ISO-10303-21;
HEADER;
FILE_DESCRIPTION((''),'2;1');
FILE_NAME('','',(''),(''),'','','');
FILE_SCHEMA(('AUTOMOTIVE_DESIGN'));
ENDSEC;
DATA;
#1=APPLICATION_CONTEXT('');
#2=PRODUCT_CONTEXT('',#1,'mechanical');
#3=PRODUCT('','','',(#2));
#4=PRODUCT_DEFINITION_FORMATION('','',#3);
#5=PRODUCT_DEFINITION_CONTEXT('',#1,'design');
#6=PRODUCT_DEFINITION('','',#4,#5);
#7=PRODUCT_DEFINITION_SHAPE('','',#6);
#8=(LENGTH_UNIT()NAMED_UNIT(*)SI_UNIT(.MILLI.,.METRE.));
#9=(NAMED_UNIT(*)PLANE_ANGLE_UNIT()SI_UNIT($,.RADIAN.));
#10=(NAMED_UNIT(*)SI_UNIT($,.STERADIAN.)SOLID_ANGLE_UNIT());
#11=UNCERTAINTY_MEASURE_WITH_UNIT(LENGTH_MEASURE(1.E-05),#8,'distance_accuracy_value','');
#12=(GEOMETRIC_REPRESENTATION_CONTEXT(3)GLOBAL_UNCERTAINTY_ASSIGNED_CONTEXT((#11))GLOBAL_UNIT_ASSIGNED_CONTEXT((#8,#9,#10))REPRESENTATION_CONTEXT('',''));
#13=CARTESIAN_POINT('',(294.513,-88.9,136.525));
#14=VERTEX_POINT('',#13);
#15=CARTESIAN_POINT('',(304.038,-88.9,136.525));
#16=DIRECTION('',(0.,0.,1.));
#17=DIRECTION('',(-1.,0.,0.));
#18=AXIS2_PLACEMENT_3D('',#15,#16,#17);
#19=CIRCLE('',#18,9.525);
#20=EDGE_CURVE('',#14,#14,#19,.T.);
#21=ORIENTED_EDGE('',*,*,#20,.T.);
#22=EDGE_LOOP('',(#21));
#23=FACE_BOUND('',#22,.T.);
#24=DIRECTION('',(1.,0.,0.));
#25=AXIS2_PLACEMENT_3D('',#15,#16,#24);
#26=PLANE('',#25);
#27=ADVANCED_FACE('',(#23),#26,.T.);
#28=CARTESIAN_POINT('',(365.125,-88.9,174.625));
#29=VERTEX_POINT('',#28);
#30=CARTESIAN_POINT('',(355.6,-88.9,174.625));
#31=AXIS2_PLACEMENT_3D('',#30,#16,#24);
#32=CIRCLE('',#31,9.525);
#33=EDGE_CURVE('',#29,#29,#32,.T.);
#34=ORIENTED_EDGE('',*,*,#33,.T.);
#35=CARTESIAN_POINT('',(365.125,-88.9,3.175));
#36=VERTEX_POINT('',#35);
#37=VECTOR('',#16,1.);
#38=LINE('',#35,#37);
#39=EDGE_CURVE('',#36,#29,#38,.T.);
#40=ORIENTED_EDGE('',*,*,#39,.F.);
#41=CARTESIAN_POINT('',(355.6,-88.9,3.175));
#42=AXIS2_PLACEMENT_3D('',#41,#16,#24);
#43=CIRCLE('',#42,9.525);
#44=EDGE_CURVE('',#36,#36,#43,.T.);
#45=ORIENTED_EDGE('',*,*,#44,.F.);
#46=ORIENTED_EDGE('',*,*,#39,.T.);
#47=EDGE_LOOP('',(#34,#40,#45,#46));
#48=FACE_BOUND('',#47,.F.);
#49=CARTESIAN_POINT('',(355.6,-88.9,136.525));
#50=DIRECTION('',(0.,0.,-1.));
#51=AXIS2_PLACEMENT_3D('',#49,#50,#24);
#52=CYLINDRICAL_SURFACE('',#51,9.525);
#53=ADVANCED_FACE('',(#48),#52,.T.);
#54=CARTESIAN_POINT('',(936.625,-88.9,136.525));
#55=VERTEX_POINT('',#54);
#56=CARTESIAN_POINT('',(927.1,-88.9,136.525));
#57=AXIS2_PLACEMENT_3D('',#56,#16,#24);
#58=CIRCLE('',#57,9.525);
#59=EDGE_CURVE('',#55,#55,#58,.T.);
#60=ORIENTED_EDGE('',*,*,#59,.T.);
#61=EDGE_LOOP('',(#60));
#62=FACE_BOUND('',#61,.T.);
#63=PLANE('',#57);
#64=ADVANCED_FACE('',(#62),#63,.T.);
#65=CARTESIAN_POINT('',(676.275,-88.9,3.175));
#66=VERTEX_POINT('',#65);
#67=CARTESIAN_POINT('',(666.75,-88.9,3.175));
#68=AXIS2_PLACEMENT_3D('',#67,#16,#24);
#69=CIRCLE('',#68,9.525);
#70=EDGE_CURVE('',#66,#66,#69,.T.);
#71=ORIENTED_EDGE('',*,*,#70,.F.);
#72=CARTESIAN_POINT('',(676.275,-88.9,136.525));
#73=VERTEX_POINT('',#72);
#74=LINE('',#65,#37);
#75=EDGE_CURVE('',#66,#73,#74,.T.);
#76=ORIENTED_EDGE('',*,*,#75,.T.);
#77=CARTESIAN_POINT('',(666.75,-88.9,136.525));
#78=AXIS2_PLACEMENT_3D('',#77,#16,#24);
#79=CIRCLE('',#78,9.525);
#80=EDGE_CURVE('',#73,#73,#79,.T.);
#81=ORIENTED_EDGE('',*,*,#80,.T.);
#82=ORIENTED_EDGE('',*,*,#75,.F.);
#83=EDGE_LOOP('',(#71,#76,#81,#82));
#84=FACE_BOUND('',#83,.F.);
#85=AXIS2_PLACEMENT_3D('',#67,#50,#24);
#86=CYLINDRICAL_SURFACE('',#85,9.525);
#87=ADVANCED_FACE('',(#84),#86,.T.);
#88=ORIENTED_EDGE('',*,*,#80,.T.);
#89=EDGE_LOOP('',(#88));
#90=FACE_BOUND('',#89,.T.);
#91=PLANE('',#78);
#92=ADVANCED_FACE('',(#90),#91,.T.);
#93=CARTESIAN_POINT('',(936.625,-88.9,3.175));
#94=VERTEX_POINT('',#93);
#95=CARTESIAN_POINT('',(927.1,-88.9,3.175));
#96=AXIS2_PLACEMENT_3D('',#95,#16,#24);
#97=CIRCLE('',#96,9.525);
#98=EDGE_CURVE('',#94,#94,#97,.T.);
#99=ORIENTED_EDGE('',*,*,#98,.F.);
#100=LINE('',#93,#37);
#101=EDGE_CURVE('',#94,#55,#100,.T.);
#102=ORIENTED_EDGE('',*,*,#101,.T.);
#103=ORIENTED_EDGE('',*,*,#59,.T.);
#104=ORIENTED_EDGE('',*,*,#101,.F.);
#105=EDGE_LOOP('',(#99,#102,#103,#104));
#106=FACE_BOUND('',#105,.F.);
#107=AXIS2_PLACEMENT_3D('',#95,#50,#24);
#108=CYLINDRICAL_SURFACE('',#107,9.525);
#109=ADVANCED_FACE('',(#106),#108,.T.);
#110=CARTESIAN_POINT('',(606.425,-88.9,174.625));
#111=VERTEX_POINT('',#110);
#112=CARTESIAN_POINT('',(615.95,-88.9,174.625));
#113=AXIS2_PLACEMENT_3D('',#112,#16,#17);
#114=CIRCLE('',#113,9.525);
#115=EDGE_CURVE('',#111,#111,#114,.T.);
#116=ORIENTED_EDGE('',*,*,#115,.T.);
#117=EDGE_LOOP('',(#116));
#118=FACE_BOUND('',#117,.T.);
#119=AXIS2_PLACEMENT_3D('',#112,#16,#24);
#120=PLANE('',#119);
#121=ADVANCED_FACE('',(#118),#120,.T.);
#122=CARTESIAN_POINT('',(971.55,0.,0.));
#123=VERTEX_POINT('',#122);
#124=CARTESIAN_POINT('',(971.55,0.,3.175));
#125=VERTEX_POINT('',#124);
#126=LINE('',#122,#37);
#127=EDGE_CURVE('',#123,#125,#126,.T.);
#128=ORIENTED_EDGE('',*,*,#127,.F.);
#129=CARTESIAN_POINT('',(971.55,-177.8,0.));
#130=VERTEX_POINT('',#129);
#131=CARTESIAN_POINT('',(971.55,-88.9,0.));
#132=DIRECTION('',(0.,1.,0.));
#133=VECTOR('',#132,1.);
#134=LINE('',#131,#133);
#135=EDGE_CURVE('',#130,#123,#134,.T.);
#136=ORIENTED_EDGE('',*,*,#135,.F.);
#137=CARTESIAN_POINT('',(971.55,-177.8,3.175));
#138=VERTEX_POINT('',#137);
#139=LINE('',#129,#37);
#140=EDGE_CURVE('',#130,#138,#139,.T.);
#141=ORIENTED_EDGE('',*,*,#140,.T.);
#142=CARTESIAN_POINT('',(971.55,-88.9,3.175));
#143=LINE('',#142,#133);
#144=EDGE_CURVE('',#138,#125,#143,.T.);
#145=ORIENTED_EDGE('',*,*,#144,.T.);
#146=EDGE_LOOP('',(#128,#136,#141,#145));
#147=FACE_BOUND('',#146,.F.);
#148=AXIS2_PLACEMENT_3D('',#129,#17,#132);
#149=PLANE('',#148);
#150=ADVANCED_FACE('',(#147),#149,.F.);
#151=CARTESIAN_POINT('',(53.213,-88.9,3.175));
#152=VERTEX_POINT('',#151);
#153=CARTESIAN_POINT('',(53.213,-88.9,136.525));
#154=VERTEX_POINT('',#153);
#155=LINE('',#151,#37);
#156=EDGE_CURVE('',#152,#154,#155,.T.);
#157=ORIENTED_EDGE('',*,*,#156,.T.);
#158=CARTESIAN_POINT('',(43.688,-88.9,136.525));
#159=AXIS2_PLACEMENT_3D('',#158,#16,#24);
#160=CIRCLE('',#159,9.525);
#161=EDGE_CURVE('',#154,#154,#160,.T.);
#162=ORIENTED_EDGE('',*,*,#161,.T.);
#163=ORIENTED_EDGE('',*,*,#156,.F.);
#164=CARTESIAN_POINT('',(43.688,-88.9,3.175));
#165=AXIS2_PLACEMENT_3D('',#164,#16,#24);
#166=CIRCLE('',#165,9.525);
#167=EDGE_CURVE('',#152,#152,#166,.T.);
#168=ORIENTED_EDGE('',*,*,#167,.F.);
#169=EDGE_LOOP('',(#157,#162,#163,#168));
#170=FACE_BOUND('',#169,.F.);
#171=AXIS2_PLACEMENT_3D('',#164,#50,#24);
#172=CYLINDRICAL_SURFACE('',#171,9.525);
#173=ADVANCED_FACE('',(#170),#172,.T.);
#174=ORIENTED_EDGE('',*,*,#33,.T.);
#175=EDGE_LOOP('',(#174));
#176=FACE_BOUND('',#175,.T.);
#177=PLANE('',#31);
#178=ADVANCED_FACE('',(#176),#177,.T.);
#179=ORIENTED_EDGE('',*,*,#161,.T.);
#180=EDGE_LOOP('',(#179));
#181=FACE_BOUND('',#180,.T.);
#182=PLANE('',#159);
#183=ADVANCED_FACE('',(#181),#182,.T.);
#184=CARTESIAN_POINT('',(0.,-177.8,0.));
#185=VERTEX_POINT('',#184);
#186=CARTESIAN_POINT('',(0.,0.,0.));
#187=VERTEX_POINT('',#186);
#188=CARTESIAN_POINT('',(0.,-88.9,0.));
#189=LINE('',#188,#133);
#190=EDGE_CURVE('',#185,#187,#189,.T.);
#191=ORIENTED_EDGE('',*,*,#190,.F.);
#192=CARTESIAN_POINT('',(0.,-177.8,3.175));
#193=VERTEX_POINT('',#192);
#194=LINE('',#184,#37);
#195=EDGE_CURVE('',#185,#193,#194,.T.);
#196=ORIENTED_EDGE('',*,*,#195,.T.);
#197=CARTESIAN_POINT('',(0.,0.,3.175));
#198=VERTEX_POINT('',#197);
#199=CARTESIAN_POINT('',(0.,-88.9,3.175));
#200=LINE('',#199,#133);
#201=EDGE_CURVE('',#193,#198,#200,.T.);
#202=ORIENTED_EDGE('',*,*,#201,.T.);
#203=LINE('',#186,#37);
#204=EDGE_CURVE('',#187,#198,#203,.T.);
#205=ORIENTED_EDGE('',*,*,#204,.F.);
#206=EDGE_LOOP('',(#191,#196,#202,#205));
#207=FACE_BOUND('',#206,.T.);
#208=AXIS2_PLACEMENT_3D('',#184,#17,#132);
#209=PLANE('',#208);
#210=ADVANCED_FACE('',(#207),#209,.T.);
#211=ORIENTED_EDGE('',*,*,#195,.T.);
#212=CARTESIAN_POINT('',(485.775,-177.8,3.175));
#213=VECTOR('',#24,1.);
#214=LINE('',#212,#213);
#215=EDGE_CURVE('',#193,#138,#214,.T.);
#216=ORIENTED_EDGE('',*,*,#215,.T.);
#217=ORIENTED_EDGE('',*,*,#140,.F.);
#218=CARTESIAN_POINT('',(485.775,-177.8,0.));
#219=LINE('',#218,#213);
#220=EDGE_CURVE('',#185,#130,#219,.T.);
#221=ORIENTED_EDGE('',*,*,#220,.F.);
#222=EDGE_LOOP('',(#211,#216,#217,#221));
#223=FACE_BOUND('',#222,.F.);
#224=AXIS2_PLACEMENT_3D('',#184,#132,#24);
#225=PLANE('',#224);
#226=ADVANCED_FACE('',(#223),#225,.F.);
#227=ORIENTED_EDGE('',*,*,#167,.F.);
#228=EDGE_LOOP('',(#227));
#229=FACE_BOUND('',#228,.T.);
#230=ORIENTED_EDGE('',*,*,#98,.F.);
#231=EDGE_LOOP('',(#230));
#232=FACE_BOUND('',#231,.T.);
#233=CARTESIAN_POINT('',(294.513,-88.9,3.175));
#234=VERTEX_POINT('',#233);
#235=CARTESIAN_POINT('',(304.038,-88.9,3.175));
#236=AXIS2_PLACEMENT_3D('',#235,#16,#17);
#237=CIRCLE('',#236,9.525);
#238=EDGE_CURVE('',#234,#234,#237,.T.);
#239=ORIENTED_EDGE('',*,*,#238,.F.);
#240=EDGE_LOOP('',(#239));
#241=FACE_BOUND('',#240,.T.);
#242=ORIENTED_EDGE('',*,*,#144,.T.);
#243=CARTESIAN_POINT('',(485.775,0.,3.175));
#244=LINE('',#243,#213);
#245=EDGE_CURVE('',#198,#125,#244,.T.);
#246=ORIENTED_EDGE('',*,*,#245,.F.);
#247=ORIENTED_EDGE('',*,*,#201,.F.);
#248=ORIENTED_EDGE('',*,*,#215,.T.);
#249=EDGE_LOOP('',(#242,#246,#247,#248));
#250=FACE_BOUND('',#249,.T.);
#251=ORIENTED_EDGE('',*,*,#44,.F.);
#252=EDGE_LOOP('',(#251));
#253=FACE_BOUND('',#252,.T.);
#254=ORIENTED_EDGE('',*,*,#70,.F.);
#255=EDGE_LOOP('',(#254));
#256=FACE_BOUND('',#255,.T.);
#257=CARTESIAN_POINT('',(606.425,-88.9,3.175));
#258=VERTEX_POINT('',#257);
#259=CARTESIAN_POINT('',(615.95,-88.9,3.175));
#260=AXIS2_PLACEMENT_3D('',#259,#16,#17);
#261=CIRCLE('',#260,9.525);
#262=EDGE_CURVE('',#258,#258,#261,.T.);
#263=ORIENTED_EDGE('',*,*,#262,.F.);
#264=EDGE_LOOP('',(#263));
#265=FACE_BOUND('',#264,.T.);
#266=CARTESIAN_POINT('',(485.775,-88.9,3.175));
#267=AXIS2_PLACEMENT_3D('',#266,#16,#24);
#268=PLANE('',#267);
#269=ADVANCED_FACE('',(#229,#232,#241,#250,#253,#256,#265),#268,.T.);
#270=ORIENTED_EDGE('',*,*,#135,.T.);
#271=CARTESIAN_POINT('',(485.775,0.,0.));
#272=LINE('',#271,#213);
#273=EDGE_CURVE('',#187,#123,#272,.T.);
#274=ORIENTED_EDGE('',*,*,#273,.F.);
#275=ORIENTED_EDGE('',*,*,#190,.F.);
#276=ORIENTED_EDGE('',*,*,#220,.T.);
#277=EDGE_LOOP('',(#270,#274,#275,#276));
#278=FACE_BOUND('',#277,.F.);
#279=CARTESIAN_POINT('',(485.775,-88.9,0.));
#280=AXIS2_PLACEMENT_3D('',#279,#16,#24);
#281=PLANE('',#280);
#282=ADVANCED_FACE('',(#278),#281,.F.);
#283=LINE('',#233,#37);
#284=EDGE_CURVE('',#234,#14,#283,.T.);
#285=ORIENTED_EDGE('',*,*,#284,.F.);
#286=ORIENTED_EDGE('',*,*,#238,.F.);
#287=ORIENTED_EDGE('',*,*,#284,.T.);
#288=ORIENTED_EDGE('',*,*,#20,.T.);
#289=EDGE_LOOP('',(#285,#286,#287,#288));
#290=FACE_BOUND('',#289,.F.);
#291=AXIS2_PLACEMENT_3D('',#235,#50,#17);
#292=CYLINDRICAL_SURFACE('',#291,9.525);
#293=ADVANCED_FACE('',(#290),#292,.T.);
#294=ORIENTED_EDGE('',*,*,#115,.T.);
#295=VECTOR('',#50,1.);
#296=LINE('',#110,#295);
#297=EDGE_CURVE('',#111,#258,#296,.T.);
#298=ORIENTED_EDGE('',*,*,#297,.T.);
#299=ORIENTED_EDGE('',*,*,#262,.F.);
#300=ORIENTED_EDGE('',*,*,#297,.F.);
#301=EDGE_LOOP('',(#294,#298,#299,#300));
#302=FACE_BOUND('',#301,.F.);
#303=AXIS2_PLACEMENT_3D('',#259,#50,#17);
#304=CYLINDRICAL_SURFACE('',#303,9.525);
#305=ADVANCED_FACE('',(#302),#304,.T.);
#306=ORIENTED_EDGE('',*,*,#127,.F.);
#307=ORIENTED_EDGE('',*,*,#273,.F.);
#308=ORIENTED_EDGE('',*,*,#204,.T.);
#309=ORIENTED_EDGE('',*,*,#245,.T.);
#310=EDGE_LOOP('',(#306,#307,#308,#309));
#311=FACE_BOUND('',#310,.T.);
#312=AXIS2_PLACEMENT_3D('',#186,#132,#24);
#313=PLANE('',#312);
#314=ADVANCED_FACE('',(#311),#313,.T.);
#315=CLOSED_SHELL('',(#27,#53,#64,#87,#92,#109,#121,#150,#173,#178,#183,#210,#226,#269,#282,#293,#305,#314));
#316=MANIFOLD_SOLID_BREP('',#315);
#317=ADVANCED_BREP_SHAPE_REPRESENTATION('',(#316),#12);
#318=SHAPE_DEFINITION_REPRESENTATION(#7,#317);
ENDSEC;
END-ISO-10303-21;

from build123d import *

# Parameters (mm, degrees)
F0_W     = 971.55
F0_H     = 177.8
F1_DEPTH = 3.175
F2_R     = 9.525
F3_DEPTH = 133.35
F4_DEPTH = 38.1


with BuildPart() as f1:
    # F0 (on Top) → F1 (new body)
    with BuildSketch(Plane.XY):
        with Locations((485.775, -88.9)):
            Rectangle(F0_W, F0_H)
    extrude(amount=F1_DEPTH)

    # F2 (on face) → F3 (join)
    with BuildSketch(Plane.XY.offset(3.175)):
        with Locations((43.688, -88.9)):
            Circle(F2_R)
        with BuildLine():
            ThreePointArc((313.563, -88.9), (304.038, -79.375), (294.513, -88.9))
            ThreePointArc((294.513, -88.9), (304.038, -98.425), (313.563, -88.9))
        make_face()
        with Locations((355.6, -88.9)):
            Circle(F2_R)
        with BuildLine():
            ThreePointArc((625.475, -88.9), (615.95, -79.375), (606.425, -88.9))
            ThreePointArc((606.425, -88.9), (615.95, -98.425), (625.475, -88.9))
        make_face()
        with Locations((666.75, -88.9)):
            Circle(F2_R)
        with BuildLine():
            ThreePointArc((917.575, -88.9), (927.1, -98.425), (936.625, -88.9))
            ThreePointArc((936.625, -88.9), (927.1, -79.375), (917.575, -88.9))
        make_face()
    extrude(amount=F3_DEPTH)

    # F4 (add): faces of the model
    f4_faces = [f1.faces().sort_by_distance(p)[0] for p in [
        (355.6, -88.9, 136.525),
        (615.95, -88.9, 136.525),
    ]]
    extrude(f4_faces, amount=F4_DEPTH)


solid = f1.part
